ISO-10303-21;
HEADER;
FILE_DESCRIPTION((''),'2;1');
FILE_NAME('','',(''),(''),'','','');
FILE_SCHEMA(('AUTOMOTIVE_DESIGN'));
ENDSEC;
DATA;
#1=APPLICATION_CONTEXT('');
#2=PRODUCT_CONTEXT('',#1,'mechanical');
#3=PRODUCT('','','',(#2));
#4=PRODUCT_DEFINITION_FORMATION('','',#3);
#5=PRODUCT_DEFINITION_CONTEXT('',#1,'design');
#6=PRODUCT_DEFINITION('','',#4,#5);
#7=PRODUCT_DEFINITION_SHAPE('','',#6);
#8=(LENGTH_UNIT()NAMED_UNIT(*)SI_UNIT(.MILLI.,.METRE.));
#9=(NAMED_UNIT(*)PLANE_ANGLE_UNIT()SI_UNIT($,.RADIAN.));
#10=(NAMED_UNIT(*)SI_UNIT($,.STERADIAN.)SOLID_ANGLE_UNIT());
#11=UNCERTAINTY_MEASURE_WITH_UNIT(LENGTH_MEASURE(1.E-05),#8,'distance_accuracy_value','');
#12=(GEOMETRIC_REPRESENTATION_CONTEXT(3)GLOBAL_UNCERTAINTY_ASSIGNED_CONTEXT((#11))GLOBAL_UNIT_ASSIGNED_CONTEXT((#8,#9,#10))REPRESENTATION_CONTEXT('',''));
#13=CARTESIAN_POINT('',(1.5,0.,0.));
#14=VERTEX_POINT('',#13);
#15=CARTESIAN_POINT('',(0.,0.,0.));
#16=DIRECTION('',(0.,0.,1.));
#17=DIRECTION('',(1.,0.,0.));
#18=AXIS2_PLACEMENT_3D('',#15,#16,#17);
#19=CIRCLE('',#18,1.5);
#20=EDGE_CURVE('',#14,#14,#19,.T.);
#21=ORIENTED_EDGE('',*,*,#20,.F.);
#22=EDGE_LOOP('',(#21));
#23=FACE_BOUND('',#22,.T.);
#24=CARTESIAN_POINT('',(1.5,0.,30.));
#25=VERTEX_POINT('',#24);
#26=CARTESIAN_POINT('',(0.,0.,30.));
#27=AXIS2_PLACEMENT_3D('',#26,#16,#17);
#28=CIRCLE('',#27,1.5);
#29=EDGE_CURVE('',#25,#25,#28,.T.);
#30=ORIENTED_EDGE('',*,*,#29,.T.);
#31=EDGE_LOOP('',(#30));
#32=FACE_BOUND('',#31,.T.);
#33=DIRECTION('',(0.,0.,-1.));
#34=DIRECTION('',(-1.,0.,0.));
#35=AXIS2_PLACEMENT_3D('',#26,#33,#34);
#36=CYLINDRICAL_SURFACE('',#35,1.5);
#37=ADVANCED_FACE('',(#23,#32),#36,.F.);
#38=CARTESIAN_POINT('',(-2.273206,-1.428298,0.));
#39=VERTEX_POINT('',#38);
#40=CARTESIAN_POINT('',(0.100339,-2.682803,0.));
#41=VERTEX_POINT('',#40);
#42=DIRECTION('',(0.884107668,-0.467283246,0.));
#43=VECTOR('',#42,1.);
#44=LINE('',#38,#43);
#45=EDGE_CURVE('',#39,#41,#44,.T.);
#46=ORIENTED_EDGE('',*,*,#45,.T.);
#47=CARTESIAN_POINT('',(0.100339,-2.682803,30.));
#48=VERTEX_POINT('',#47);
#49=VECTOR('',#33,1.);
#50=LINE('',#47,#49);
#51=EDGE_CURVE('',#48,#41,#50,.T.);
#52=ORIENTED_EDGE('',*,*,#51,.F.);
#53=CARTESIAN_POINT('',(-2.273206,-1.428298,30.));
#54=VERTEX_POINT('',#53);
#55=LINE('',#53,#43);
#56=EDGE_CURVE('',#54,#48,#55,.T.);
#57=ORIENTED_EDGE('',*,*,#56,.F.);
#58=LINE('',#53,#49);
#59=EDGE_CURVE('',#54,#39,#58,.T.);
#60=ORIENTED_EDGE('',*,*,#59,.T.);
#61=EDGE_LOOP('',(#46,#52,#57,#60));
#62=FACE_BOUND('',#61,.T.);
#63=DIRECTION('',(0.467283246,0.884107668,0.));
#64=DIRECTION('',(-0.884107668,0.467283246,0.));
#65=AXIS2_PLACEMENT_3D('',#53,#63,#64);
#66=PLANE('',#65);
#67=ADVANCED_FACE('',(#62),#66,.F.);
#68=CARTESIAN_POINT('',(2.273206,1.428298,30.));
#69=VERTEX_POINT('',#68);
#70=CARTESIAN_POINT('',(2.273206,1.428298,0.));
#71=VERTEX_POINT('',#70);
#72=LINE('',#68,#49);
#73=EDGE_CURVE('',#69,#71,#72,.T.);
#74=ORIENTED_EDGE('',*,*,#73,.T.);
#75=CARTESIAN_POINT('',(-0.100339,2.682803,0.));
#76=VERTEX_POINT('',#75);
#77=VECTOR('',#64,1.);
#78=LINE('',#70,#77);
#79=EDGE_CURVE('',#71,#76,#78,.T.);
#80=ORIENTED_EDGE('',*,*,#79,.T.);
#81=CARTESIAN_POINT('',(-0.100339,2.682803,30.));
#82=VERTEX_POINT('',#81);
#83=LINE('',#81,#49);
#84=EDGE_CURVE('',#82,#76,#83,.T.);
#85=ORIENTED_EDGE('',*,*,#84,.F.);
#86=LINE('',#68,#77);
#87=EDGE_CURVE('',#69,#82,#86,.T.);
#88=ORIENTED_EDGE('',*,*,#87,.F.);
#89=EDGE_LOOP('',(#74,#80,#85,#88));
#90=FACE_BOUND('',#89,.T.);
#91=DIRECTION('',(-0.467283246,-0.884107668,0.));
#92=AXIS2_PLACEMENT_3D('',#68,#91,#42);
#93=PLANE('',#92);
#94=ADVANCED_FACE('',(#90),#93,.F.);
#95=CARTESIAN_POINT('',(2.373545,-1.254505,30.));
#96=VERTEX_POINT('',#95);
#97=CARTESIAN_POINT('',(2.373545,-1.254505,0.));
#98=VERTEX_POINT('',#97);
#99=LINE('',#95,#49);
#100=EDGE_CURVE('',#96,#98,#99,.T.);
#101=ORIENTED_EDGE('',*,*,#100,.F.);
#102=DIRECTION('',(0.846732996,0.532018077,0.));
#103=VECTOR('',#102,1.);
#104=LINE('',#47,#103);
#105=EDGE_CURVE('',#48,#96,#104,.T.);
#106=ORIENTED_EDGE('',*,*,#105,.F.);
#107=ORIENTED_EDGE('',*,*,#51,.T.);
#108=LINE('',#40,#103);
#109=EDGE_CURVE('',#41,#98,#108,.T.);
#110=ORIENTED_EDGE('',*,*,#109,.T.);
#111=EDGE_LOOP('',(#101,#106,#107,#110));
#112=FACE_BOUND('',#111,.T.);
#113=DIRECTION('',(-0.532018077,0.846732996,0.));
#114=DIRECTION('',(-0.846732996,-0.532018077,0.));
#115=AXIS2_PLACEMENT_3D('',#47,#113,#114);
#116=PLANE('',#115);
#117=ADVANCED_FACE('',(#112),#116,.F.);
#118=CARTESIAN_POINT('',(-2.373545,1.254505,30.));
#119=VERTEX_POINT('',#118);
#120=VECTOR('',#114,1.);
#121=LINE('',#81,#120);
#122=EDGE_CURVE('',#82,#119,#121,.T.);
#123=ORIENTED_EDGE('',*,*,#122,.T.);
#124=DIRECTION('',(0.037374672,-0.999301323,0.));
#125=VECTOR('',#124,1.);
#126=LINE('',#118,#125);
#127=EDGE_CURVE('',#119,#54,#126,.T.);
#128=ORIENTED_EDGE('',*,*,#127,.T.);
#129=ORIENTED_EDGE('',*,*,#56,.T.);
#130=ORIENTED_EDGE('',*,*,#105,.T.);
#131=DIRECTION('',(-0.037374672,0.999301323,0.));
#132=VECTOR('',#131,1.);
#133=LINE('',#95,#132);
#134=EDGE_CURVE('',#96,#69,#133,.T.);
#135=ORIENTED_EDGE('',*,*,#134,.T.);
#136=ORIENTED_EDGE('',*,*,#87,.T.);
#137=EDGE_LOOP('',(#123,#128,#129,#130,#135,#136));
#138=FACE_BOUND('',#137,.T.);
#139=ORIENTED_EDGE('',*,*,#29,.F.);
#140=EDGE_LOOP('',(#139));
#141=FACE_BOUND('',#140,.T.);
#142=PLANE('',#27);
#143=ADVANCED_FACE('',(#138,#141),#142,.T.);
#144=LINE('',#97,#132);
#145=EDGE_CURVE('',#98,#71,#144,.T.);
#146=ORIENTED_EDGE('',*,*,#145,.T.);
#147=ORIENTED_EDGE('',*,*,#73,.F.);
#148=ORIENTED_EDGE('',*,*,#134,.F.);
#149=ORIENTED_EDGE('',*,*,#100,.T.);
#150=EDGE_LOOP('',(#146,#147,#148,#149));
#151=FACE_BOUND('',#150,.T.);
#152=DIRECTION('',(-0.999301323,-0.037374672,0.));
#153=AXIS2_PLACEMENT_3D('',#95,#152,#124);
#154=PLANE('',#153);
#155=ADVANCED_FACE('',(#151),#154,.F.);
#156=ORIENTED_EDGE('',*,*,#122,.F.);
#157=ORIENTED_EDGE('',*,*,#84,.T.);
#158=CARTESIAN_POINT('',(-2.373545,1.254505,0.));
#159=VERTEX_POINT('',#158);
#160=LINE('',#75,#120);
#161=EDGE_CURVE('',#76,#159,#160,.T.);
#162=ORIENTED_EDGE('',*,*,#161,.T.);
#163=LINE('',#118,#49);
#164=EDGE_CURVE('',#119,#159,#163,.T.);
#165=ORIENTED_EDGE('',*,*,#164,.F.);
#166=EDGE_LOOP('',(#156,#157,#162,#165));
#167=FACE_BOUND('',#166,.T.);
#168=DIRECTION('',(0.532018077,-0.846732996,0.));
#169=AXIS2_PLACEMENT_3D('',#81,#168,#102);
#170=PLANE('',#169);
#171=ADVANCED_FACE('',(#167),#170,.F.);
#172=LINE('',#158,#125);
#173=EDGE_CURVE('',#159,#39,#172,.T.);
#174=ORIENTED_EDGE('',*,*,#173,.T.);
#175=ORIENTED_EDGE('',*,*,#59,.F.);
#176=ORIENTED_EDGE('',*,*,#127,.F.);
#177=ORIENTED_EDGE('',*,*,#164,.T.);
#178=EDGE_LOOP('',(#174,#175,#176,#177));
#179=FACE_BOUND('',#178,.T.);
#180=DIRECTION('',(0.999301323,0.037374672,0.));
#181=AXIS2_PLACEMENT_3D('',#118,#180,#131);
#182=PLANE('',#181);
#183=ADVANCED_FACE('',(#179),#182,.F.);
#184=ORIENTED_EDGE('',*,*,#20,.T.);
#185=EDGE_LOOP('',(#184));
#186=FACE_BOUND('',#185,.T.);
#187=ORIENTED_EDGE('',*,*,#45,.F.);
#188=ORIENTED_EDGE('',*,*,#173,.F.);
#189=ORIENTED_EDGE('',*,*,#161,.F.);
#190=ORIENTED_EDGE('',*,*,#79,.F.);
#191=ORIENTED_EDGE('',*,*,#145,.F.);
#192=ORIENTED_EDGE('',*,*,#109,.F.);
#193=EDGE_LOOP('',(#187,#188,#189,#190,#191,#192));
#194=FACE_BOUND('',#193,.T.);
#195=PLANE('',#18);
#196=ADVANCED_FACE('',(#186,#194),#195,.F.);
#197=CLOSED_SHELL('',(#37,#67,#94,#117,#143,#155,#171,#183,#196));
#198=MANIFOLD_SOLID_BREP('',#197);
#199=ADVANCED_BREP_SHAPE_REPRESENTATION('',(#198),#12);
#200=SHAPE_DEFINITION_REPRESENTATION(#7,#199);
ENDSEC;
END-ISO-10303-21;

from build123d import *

# Parameters (mm, degrees)
SKETCH_1_R      = 1.5
EXTRUDE_1_DEPTH = 30


with BuildPart() as part:
    # 草图1 → 凸台-拉伸1 (new body)
    with BuildSketch(Plane.XY):
        Polygon((2.273206082, 1.428297627), (-0.100338988, 2.682803028), (-2.37354507, 1.254505402), (-2.273206082, -1.428297627), (0.100338988, -2.682803028), (2.37354507, -1.254505402), align=None)
        Circle(SKETCH_1_R, mode=Mode.SUBTRACT)
    extrude(amount=EXTRUDE_1_DEPTH)


solid = part.part
